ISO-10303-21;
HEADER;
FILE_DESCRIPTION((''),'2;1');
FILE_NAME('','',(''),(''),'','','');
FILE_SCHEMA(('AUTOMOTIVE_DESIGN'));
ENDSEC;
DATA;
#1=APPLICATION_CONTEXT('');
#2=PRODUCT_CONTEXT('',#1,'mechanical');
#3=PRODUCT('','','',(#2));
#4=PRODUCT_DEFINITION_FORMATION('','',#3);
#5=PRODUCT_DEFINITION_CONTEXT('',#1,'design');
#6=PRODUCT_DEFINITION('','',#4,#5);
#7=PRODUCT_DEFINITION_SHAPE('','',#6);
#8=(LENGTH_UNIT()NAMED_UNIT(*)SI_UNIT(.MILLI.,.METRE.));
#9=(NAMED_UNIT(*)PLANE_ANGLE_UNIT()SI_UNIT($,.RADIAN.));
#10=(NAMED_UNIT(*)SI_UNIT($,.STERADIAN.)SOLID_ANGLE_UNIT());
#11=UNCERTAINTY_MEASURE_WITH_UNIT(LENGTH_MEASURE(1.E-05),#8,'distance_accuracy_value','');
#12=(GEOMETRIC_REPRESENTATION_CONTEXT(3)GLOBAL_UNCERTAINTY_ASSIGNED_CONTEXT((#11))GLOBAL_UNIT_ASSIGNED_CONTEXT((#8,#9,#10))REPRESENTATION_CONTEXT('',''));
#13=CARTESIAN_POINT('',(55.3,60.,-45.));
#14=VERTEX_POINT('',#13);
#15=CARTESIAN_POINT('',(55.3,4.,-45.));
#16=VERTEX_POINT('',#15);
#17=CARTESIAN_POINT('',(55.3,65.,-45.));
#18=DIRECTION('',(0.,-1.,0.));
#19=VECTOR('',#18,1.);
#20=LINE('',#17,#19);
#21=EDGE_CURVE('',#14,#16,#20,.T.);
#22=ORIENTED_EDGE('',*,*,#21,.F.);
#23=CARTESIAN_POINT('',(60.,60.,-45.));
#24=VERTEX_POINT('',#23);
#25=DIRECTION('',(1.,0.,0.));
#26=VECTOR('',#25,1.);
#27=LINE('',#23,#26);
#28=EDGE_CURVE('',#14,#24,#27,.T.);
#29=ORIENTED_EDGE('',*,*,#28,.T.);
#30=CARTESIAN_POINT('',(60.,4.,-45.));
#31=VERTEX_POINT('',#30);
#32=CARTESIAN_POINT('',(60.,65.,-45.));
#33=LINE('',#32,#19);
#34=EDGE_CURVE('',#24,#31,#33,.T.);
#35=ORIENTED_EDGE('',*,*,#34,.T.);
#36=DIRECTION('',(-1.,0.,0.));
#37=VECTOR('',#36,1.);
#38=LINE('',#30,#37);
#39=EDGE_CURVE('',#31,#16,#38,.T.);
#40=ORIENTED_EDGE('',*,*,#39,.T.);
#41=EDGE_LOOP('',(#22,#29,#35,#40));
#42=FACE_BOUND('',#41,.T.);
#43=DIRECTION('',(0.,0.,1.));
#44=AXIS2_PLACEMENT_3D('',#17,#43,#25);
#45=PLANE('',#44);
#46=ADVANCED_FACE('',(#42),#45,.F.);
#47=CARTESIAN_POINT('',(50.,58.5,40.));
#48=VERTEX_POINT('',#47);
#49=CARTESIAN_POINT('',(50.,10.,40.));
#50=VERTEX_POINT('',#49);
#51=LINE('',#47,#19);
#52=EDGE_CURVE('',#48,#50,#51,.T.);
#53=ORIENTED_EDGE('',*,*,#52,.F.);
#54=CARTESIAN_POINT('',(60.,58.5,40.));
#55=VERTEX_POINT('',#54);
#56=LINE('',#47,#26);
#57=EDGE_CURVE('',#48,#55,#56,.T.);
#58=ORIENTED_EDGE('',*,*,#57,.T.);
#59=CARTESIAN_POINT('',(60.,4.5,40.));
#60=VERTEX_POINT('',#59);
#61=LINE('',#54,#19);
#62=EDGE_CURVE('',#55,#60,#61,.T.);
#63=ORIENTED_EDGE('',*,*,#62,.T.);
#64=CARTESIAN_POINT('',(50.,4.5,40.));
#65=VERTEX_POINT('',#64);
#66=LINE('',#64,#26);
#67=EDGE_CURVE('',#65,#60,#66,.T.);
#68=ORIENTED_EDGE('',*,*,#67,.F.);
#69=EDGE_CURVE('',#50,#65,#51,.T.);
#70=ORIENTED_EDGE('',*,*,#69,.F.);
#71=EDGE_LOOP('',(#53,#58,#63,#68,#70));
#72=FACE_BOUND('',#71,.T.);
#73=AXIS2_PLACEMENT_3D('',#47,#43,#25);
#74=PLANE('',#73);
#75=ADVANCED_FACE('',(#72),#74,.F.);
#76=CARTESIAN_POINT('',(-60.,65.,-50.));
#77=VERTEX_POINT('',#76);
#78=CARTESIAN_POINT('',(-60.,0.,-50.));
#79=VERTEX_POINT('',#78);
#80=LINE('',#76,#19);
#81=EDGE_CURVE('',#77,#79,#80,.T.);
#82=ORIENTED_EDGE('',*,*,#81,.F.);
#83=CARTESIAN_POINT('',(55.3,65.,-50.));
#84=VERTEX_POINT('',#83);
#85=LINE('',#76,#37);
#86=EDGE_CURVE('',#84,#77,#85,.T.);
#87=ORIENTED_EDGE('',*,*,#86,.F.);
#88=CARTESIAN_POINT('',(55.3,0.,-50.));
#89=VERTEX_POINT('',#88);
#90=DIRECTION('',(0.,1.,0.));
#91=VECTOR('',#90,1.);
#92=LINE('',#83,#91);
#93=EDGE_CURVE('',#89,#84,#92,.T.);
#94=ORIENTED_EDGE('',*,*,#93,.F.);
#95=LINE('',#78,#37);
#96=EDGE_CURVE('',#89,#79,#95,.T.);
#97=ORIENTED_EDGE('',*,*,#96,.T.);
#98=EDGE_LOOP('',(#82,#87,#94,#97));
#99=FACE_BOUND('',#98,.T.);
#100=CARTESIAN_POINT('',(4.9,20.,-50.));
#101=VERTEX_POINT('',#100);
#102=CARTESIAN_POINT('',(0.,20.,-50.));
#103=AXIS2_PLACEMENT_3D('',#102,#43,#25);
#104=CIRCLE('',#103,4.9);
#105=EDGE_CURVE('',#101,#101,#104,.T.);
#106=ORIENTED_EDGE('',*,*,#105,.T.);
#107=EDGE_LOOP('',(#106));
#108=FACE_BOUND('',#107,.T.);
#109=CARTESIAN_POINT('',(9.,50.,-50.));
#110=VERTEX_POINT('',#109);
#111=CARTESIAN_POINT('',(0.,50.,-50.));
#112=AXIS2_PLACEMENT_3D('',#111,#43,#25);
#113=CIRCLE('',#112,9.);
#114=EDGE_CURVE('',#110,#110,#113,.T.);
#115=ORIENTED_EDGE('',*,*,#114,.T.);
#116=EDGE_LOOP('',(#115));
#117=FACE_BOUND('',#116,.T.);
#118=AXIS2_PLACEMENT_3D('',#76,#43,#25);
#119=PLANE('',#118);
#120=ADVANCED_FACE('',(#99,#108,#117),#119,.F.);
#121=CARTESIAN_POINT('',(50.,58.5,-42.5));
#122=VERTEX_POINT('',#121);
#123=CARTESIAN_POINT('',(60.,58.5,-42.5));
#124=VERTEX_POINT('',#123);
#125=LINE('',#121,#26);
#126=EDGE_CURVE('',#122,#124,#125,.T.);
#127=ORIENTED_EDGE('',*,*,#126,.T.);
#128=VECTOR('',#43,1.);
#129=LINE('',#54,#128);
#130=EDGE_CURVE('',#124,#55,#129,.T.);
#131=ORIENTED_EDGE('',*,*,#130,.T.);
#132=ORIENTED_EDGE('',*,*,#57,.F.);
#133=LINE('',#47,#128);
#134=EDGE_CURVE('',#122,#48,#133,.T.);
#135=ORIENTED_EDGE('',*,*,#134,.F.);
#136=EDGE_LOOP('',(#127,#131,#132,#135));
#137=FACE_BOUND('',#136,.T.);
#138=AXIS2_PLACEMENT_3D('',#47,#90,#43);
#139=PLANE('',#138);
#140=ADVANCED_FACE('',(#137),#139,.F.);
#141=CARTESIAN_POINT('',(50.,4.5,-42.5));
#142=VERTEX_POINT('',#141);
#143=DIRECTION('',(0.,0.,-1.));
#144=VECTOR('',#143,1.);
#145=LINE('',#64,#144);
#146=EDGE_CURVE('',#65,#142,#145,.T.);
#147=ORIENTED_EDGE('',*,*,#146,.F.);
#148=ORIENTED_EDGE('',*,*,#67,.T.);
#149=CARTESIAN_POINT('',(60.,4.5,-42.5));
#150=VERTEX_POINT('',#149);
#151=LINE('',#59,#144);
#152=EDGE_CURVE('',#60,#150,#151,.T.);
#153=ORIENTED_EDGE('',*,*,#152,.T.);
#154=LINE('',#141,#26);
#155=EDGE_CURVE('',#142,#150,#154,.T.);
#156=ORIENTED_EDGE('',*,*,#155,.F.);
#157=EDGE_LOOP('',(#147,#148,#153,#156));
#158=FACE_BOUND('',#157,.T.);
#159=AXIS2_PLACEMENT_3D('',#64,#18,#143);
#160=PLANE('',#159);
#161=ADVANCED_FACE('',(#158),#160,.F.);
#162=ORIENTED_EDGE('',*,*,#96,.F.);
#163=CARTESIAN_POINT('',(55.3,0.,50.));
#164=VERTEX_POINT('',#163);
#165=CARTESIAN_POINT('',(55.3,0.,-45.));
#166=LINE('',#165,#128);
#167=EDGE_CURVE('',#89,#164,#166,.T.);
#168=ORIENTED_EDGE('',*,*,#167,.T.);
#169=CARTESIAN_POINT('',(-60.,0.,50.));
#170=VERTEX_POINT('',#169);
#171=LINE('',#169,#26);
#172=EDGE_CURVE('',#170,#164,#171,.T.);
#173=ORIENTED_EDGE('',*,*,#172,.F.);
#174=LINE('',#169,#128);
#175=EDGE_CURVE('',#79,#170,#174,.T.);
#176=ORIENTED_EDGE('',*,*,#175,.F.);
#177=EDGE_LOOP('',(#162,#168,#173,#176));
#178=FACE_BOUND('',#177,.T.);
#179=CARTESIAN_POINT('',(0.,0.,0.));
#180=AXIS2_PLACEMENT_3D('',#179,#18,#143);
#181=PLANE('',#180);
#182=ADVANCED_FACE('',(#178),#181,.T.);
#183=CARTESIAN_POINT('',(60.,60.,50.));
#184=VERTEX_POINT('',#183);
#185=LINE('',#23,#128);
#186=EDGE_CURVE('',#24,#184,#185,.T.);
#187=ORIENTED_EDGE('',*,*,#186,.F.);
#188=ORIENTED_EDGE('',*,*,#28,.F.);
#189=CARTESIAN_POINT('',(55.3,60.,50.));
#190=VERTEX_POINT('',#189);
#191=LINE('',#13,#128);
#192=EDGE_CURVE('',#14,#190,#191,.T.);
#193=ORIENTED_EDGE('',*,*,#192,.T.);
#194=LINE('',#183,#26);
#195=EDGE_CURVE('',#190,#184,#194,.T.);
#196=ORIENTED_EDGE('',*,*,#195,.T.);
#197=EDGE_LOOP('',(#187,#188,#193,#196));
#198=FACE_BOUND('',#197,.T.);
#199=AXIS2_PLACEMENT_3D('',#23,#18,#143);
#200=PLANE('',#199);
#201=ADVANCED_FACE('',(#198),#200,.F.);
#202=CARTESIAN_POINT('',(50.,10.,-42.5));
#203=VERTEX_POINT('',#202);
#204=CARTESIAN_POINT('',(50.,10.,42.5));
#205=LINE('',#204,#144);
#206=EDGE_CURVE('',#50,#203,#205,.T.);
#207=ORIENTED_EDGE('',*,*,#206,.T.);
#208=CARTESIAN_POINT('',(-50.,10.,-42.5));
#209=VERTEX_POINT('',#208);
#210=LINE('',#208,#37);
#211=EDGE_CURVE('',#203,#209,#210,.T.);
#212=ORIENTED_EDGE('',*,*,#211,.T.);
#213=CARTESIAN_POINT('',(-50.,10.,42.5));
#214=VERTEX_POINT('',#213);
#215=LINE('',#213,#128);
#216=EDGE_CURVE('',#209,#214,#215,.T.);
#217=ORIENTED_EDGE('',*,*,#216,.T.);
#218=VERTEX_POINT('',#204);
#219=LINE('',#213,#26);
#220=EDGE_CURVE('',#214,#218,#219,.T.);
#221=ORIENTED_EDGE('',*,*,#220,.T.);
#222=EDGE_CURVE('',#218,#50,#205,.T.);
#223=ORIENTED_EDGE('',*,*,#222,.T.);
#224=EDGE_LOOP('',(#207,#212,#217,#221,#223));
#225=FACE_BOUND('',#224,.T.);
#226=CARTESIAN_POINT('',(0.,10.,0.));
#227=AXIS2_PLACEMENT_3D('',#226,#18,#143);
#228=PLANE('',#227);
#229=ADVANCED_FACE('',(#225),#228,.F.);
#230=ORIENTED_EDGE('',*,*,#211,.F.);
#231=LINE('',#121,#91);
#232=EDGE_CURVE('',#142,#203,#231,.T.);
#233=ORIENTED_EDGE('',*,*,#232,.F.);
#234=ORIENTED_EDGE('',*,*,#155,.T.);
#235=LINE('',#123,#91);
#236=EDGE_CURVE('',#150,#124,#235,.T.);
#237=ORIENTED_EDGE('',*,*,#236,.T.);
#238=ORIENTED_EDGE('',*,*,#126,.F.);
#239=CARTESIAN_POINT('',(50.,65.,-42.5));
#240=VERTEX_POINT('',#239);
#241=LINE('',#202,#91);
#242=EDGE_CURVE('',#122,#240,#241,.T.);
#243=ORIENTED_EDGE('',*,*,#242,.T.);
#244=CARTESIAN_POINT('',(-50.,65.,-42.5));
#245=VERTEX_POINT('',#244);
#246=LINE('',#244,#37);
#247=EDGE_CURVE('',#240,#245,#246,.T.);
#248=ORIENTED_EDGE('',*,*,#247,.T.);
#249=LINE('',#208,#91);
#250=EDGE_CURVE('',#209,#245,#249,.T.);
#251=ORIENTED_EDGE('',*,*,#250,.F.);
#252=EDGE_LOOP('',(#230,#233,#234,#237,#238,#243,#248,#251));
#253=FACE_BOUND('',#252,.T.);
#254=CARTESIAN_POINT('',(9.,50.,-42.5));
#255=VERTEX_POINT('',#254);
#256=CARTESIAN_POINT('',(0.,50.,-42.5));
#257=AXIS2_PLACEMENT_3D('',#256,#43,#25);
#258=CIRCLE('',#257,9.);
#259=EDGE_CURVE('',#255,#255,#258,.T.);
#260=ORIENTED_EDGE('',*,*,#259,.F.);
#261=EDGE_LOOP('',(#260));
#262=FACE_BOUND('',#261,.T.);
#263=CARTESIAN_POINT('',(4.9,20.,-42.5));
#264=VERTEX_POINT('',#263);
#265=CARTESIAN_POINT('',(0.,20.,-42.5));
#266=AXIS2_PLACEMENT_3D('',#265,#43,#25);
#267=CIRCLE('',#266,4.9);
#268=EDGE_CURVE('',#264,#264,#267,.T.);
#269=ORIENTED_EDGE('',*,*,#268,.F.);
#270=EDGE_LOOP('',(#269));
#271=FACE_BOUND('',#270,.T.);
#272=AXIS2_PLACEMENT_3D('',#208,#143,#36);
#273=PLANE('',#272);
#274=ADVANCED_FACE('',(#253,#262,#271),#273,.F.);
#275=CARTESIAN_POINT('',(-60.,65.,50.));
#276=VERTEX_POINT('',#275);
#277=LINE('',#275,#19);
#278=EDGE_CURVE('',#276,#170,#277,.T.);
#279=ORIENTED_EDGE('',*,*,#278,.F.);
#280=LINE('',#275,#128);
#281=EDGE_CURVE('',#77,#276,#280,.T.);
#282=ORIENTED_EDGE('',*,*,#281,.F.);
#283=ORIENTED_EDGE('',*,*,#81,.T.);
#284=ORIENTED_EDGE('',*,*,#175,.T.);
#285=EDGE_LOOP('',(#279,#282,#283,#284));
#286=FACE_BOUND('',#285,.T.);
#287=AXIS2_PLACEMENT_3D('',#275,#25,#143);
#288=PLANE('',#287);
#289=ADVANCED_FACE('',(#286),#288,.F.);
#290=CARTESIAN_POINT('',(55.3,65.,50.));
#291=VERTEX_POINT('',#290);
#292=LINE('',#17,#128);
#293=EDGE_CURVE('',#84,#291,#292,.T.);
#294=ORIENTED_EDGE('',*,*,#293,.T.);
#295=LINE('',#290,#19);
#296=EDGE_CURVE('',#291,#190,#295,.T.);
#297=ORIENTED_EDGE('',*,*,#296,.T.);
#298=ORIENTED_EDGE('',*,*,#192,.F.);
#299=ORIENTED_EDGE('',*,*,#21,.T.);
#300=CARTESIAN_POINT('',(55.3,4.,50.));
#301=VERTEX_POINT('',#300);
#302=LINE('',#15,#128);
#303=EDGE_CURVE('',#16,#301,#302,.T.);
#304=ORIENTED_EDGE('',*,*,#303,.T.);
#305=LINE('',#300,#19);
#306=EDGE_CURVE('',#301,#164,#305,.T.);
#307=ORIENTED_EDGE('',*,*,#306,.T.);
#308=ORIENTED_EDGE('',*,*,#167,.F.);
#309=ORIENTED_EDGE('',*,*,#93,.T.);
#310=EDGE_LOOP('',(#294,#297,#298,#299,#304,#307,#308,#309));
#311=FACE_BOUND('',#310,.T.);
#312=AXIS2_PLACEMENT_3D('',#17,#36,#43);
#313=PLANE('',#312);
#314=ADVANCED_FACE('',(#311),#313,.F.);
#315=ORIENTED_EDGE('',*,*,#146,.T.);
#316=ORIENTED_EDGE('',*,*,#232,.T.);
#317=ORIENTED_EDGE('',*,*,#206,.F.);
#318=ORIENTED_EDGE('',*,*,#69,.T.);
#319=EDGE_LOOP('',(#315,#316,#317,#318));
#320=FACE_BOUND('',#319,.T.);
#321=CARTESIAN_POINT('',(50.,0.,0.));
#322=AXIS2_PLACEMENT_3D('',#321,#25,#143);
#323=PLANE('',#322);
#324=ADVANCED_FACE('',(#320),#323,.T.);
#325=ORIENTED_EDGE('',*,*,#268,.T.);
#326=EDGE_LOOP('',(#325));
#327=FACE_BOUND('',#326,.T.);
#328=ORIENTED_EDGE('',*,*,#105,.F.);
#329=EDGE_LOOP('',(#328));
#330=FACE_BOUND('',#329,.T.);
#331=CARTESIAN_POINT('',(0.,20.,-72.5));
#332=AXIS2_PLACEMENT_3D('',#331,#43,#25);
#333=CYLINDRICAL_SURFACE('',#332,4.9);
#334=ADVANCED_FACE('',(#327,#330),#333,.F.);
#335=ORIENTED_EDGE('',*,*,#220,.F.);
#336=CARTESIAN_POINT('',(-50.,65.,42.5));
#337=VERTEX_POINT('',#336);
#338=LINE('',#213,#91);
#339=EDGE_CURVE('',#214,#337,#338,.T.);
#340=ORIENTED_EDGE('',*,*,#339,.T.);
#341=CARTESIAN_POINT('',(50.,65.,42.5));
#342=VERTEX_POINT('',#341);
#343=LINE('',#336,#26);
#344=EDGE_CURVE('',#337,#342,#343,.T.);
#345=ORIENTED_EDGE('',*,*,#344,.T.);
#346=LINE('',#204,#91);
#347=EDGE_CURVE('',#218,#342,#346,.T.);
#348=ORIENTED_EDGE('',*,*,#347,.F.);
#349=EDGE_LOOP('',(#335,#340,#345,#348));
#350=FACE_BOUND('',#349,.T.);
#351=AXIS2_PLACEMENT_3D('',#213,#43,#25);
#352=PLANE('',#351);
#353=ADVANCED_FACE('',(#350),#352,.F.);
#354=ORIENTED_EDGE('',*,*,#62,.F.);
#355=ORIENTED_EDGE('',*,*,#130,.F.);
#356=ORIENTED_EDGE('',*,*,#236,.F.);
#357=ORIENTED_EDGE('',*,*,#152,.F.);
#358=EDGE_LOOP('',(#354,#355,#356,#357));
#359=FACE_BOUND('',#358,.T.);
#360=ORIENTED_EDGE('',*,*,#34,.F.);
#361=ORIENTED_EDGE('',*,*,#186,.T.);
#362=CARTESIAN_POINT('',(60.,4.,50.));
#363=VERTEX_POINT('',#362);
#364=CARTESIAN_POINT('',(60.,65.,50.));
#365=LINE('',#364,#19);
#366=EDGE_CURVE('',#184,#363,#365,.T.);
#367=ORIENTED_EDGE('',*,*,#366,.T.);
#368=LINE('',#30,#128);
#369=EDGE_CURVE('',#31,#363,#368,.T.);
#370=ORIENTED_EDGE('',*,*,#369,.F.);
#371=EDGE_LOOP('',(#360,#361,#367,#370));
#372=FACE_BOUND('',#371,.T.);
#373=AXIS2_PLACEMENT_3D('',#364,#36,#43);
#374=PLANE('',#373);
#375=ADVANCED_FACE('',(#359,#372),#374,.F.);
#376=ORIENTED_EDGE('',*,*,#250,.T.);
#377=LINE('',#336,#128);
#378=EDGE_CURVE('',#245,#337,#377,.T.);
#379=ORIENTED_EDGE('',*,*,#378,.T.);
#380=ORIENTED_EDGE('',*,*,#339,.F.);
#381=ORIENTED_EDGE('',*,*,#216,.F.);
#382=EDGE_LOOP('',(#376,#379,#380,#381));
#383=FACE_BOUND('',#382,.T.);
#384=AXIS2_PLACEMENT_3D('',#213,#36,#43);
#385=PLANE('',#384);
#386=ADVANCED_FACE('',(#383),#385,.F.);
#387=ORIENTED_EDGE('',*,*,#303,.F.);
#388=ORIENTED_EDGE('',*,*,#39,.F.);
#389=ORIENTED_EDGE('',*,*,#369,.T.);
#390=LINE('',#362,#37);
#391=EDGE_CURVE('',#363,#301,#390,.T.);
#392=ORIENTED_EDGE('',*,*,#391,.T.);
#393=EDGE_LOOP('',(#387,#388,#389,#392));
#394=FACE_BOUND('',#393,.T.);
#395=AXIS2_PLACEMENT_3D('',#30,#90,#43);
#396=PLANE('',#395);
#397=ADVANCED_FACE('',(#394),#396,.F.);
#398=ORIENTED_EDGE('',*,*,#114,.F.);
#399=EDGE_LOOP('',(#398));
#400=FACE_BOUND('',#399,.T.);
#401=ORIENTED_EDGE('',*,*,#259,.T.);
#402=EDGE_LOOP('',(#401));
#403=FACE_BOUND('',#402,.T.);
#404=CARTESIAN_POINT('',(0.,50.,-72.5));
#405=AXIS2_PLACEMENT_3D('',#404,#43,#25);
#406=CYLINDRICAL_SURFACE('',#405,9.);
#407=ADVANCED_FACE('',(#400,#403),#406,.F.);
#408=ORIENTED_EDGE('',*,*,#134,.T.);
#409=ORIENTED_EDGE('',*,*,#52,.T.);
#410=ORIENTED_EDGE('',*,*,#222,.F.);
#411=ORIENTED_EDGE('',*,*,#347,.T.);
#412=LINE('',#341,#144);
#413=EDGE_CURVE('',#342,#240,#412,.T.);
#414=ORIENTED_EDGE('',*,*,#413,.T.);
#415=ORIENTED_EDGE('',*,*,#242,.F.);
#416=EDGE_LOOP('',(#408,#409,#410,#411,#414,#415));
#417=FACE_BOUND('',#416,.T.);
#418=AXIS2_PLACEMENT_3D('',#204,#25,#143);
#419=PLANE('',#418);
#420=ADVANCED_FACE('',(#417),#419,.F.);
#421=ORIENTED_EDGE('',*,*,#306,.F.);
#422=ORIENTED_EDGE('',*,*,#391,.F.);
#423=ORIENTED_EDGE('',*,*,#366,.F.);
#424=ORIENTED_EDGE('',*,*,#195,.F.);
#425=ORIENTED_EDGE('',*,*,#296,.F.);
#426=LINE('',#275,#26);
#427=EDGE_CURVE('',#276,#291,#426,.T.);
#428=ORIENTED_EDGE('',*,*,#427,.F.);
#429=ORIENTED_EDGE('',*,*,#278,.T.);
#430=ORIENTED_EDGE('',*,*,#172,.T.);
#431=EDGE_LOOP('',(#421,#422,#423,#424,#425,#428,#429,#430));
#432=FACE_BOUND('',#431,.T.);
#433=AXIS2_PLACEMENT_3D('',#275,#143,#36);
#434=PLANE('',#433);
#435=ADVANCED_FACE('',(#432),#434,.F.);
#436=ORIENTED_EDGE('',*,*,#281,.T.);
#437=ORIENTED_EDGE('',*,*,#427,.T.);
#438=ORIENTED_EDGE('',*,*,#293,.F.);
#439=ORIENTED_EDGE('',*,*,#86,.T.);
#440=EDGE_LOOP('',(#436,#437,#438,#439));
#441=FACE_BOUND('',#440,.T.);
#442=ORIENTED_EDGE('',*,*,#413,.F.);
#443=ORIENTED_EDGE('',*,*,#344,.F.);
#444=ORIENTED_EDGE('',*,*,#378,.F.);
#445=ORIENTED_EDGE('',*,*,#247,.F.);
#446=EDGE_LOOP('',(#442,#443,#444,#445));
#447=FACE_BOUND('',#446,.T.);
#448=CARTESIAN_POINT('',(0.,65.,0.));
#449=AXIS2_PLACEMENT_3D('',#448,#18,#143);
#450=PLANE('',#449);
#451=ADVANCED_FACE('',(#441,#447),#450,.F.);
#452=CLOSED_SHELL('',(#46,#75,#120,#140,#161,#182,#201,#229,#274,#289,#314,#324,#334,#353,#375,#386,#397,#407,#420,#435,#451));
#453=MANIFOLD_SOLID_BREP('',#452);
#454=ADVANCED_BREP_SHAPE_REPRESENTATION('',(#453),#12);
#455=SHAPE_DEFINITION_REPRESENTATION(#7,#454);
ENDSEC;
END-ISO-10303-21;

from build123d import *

# Parameters (mm, degrees)
SKETCH2_W           = 120
SKETCH2_H           = 100
BOSS_EXTRUDE2_DEPTH = 65
SKETCH3_W           = 100
SKETCH3_H           = 85
CUT_EXTRUDE1_DEPTH  = 55
SKETCH6_R           = 9
SKETCH6_R_2         = 4.9
CUT_EXTRUDE3_DEPTH  = 30
SKETCH8_W           = 4.7
SKETCH8_H           = 4
SKETCH8_H_2         = 5
CUT_EXTRUDE6_DEPTH  = 95
SKETCH9_W           = 5
SKETCH9_H           = 65
CUT_EXTRUDE7_DEPTH  = 4.7
SKETCH10_W          = 82.5
SKETCH10_H          = 54
CUT_EXTRUDE9_DEPTH  = 10


with BuildPart() as part:
    # Sketch2 → Boss-Extrude2 (new body)
    with BuildSketch(Plane(origin=(0, 0, 0), x_dir=(1, 0, 0), z_dir=(0, 1, 0))):
        Rectangle(SKETCH2_W, SKETCH2_H)
    extrude(amount=BOSS_EXTRUDE2_DEPTH)

    # Sketch3 → Cut-Extrude1 (cut)
    with BuildSketch(Plane(origin=(0, 65, 0), x_dir=(1, 0, 0), z_dir=(0, 1, 0))):
        Rectangle(SKETCH3_W, SKETCH3_H)
    extrude(amount=-CUT_EXTRUDE1_DEPTH, mode=Mode.SUBTRACT)

    # Sketch6 → Cut-Extrude3 (cut)
    with BuildSketch(Plane.XY.offset(-42.5)):
        with Locations((0, 50)):
            Circle(SKETCH6_R)
        with Locations((0, 20)):
            Circle(SKETCH6_R_2)
    extrude(amount=-CUT_EXTRUDE3_DEPTH, mode=Mode.SUBTRACT)

    # Sketch8 → Cut-Extrude6 (cut)
    with BuildSketch(Plane.XY.offset(50)):
        with Locations((57.65, 2)):
            Rectangle(SKETCH8_W, SKETCH8_H)
        with Locations((57.65, 62.5)):
            Rectangle(SKETCH8_W, SKETCH8_H_2)
    extrude(amount=-CUT_EXTRUDE6_DEPTH, mode=Mode.SUBTRACT)

    # Sketch9 → Cut-Extrude7 (cut)
    with BuildSketch(Plane(origin=(60, 0, 0), x_dir=(0, 0, -1), z_dir=(1, 0, 0))):
        with Locations((47.5, 32.5)):
            Rectangle(SKETCH9_W, SKETCH9_H)
    extrude(amount=-CUT_EXTRUDE7_DEPTH, mode=Mode.SUBTRACT)

    # Sketch10 → Cut-Extrude9 (cut)
    with BuildSketch(Plane(origin=(60, 0, 0), x_dir=(0, 0, -1), z_dir=(1, 0, 0))):
        with Locations((1.25, 31.5)):
            Rectangle(SKETCH10_W, SKETCH10_H)
    extrude(amount=-CUT_EXTRUDE9_DEPTH, mode=Mode.SUBTRACT)


solid = part.part
